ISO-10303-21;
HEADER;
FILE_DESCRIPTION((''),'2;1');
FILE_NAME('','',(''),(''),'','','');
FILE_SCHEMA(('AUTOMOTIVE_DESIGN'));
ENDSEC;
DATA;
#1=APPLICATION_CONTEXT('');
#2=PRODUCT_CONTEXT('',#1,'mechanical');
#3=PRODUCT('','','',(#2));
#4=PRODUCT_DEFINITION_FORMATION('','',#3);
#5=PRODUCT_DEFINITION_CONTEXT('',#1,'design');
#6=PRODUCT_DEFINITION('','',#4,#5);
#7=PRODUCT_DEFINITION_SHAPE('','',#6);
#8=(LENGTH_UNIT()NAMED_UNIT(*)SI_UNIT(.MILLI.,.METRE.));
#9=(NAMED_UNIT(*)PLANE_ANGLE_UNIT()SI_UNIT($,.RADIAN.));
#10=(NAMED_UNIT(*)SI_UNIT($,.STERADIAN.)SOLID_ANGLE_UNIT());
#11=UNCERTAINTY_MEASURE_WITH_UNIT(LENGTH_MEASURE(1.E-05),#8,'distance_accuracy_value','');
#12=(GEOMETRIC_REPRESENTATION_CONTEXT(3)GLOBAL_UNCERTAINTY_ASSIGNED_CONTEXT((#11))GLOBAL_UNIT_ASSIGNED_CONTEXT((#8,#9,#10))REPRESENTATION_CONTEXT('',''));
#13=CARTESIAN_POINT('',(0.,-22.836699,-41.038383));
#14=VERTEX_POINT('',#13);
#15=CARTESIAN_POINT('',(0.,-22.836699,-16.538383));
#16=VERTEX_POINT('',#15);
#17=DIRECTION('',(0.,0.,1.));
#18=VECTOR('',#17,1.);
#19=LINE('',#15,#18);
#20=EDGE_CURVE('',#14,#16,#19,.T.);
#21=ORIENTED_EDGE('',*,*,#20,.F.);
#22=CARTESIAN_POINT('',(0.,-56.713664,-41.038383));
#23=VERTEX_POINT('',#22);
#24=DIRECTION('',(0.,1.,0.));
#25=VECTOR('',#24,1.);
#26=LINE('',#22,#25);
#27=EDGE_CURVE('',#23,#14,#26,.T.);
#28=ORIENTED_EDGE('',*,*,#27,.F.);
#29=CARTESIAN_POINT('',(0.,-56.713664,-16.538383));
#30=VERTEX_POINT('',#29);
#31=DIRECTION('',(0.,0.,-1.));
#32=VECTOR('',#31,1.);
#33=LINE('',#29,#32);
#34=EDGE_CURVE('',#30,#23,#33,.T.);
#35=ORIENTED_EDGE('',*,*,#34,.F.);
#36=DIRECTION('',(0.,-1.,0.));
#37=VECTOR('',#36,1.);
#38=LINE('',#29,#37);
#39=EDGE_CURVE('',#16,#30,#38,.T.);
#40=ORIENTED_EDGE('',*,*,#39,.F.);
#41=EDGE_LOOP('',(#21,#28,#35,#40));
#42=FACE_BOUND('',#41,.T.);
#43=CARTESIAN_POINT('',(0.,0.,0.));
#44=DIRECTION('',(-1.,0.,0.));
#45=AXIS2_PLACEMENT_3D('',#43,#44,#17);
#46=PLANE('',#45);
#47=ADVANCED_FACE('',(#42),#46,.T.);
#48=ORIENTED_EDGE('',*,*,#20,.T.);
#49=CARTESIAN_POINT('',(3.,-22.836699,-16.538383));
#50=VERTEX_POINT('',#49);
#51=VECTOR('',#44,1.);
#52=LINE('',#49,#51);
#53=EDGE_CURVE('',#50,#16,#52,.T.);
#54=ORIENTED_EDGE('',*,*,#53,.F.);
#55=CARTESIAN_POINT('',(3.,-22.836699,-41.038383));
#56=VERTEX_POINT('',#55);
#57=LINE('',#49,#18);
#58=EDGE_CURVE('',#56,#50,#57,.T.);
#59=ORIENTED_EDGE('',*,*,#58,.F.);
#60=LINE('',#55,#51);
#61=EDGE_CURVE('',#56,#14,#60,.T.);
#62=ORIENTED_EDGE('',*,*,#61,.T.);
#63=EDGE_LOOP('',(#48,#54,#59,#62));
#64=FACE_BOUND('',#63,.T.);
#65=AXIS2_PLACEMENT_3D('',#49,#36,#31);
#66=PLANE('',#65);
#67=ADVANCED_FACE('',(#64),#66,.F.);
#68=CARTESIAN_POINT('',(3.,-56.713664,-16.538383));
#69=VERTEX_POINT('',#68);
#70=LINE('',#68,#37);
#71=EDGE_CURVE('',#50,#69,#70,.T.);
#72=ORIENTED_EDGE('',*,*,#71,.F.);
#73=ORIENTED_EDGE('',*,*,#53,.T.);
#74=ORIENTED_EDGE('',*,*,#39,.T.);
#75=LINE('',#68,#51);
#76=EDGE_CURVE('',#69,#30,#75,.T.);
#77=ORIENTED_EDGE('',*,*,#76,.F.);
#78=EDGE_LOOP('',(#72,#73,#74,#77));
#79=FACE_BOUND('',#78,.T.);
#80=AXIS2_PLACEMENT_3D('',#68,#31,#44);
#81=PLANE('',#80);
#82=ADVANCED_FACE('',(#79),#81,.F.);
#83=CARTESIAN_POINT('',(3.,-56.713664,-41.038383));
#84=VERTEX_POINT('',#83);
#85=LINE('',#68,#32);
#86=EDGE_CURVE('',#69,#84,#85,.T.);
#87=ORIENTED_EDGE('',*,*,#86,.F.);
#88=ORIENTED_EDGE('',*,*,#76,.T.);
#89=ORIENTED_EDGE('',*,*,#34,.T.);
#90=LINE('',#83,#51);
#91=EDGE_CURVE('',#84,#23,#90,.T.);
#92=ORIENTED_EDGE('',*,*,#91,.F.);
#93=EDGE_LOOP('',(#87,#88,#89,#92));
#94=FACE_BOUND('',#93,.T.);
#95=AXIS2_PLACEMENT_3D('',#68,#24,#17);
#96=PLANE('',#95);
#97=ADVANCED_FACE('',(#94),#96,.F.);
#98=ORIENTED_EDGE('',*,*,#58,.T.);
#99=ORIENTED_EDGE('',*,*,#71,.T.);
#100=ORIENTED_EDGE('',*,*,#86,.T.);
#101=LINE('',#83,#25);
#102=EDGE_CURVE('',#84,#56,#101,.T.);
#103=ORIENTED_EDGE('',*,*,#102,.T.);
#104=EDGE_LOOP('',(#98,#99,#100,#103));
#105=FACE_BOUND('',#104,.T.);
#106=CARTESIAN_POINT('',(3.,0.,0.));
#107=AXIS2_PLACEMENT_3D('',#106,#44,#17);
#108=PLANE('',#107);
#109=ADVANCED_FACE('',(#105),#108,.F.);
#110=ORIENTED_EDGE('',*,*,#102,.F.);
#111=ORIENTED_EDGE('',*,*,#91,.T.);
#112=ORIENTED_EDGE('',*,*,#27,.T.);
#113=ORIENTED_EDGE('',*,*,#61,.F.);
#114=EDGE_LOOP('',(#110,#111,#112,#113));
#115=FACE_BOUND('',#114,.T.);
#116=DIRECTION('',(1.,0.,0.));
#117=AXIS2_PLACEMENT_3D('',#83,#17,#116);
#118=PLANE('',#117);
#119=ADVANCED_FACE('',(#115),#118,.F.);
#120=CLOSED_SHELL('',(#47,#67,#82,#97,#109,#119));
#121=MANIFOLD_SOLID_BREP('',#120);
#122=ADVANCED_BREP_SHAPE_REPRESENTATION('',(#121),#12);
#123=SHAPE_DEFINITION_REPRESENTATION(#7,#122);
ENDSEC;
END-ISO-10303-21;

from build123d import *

# Parameters (mm, degrees)
SKETCH1_W           = 24.5
SKETCH1_H           = 33.876964868
BOSS_EXTRUDE1_DEPTH = 3


with BuildPart() as part:
    # Sketch1 → Boss-Extrude1 (new body)
    with BuildSketch(Plane(origin=(0, 0, 0), x_dir=(0, 0, -1), z_dir=(1, 0, 0))):
        with Locations((28.788383019, -39.775181141)):
            Rectangle(SKETCH1_W, SKETCH1_H)
    extrude(amount=BOSS_EXTRUDE1_DEPTH)


solid = part.part
